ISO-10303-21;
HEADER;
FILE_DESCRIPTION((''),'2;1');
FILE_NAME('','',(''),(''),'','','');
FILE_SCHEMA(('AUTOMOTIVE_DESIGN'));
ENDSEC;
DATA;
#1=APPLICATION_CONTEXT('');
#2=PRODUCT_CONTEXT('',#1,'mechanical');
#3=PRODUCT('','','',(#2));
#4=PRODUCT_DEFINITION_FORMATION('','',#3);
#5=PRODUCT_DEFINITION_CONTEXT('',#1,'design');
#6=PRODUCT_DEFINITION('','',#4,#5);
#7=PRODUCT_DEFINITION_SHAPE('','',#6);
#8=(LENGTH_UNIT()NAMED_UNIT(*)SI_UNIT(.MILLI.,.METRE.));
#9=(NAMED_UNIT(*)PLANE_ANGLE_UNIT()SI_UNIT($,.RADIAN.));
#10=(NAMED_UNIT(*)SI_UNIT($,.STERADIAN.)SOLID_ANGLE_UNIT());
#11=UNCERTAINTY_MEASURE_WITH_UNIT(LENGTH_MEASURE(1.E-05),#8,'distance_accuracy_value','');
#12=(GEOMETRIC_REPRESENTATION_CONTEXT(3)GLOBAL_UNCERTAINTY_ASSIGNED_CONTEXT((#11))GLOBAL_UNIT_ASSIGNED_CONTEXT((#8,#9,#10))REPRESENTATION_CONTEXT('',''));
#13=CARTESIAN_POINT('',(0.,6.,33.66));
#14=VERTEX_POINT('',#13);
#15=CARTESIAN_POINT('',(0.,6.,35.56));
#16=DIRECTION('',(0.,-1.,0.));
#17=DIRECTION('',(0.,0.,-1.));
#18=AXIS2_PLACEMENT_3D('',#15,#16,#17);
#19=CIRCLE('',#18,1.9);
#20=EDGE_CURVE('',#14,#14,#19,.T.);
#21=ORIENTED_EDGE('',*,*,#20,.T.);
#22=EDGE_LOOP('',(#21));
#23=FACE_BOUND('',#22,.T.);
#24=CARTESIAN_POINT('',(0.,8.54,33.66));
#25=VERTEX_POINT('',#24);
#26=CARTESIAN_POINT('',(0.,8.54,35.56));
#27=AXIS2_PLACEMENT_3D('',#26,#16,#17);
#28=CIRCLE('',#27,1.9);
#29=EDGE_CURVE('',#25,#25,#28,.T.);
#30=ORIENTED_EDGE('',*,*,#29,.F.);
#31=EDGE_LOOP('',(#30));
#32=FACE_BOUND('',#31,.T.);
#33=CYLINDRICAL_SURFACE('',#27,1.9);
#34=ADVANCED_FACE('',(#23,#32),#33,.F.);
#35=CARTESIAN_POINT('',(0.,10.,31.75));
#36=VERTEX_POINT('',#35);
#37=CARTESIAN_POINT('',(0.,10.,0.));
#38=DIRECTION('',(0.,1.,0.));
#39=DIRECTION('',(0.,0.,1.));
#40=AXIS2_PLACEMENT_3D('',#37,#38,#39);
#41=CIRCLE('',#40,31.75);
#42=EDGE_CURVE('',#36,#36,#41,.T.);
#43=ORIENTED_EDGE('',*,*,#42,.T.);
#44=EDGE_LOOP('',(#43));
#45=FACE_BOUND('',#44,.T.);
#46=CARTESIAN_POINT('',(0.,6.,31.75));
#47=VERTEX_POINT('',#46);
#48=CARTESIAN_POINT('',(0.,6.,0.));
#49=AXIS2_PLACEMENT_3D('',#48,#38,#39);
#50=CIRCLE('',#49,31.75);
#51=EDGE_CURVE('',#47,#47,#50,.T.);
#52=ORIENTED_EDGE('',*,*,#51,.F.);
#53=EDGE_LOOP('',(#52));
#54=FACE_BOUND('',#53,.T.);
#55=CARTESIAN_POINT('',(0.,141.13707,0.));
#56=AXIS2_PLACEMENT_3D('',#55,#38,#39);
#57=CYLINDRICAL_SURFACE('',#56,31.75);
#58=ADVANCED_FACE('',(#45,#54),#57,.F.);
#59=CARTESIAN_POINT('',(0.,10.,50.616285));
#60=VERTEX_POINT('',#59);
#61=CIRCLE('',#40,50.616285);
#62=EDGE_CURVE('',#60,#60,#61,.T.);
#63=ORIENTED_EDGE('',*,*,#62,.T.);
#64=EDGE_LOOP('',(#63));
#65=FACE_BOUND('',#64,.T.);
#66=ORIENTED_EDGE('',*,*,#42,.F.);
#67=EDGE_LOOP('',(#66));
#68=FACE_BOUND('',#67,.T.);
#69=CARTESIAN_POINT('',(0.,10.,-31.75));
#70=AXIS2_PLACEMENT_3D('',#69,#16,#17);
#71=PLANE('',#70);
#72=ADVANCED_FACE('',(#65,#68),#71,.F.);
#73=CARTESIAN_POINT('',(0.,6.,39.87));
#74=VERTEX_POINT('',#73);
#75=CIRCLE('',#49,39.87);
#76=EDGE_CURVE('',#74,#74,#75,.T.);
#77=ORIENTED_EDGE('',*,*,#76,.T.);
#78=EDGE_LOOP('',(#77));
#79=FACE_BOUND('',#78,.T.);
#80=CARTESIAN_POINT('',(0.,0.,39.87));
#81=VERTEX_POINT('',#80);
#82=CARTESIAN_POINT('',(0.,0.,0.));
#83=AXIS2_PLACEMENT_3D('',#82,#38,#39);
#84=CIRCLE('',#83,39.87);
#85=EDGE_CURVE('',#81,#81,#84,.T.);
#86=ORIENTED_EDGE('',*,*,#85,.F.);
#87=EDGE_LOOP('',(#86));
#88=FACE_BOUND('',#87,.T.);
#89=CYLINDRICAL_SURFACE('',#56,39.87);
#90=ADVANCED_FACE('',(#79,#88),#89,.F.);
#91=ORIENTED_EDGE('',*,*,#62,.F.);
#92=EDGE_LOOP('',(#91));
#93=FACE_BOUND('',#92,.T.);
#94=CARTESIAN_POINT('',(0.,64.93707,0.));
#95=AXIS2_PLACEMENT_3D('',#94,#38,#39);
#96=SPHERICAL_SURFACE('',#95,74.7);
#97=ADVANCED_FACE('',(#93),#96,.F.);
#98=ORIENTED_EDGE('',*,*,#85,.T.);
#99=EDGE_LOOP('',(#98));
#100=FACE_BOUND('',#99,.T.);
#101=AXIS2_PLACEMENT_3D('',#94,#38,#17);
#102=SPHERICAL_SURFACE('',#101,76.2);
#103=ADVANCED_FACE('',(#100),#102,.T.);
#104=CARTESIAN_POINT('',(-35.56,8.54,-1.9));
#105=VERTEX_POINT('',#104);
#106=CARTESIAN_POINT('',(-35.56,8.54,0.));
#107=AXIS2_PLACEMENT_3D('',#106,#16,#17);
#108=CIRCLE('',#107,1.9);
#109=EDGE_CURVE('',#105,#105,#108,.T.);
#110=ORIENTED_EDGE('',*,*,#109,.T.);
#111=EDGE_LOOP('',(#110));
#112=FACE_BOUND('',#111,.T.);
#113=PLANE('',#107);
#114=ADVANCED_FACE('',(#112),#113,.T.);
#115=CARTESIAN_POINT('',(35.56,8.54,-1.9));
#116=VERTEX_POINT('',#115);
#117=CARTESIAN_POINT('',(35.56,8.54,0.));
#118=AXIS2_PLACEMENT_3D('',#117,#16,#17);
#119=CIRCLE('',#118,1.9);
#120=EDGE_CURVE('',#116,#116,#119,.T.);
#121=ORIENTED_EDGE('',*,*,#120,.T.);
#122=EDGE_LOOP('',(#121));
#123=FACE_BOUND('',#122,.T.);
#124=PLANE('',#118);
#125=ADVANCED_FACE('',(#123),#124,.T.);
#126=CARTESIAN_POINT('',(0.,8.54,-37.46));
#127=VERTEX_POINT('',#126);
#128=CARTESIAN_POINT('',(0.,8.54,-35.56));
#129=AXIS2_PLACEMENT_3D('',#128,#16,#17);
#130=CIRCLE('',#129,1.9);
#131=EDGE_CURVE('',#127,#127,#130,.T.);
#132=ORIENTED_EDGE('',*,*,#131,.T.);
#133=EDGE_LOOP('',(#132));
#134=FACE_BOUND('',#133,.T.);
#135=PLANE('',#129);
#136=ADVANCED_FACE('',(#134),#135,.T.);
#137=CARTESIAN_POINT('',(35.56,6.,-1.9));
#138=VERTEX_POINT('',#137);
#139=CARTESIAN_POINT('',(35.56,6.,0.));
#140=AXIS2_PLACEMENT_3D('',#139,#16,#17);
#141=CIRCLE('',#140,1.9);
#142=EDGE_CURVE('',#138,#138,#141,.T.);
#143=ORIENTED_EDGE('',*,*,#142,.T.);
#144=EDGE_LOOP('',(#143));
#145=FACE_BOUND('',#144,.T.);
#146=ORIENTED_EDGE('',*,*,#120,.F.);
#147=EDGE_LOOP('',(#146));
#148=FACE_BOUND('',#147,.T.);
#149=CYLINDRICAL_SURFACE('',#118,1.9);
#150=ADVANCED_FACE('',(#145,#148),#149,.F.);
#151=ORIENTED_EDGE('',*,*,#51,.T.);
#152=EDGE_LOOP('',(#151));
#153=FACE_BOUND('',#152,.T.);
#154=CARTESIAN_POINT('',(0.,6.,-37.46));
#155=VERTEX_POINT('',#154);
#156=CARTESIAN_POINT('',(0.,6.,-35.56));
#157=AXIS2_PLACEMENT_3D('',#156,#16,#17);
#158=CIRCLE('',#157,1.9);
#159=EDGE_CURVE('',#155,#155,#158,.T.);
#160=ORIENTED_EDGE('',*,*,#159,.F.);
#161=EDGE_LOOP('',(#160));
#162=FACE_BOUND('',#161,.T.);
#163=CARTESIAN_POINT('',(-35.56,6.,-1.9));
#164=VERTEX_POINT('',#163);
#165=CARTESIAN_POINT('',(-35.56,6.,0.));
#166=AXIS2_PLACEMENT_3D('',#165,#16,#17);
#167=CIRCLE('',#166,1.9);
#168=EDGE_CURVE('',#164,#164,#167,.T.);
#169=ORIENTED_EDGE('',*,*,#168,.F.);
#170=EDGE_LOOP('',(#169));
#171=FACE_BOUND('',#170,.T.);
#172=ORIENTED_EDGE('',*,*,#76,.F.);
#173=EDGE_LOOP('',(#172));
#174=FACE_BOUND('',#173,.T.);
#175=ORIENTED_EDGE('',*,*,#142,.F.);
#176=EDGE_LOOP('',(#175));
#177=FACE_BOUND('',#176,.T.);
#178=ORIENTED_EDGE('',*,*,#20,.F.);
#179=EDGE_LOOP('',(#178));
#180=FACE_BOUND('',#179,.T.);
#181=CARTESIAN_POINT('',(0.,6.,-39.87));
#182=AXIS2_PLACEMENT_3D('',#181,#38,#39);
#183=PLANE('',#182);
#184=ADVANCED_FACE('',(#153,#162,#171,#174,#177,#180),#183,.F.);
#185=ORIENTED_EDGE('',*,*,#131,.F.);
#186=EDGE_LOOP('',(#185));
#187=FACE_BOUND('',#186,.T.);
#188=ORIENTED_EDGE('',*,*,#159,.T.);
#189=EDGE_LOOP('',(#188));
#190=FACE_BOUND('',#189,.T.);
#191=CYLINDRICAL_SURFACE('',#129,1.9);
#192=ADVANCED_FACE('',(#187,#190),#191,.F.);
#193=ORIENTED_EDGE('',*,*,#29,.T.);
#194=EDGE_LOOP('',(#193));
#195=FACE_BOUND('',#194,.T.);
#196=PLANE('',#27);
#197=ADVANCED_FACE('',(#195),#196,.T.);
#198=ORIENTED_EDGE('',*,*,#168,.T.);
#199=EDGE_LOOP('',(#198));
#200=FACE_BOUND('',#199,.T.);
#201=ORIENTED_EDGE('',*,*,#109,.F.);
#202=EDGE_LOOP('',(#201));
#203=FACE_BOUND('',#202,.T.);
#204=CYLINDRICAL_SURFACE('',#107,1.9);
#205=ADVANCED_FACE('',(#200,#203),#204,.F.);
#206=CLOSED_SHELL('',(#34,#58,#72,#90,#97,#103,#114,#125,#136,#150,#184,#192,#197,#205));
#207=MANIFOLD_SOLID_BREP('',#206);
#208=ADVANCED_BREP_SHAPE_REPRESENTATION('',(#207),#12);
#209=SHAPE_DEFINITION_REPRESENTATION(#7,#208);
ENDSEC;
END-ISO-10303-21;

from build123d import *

# Parameters (mm, degrees)
SKETCH2_R          = 1.9
CUT_EXTRUDE1_DEPTH = 2.54


with BuildPart() as part:
    # Sketch1 → Revolve1 (revolve)
    with BuildSketch(Plane(origin=(0, 0, 0), x_dir=(0, 0, -1), z_dir=(1, 0, 0))):
        with BuildLine():
            Line((0, 141.137070307), (0, 139.637070307))
            ThreePointArc((0, 139.637070307), (69.584082777, 92.105902156), (50.616284989, 10))
            Line((50.616284989, 10), (31.75, 10))
            Line((31.75, 10), (31.75, 6))
            Line((31.75, 6), (39.87, 6))
            Line((39.87, 6), (39.87, 0))
            ThreePointArc((39.87, 0), (73.330228274, 85.652224695), (0, 141.137070307))
        make_face()
    revolve(axis=Axis((0, 141.137070307, 0), (0, -1, 0)))

    # Sketch2 → Cut-Extrude1 (cut)
    with BuildSketch(Plane.XZ.offset(-6)):
        with Locations((0, 35.56)):
            Circle(SKETCH2_R)
        with Locations((35.56, 0)):
            Circle(SKETCH2_R)
        with Locations((0, -35.56)):
            Circle(SKETCH2_R)
        with Locations((-35.56, 0)):
            Circle(SKETCH2_R)
    extrude(amount=-CUT_EXTRUDE1_DEPTH, mode=Mode.SUBTRACT)


solid = part.part
